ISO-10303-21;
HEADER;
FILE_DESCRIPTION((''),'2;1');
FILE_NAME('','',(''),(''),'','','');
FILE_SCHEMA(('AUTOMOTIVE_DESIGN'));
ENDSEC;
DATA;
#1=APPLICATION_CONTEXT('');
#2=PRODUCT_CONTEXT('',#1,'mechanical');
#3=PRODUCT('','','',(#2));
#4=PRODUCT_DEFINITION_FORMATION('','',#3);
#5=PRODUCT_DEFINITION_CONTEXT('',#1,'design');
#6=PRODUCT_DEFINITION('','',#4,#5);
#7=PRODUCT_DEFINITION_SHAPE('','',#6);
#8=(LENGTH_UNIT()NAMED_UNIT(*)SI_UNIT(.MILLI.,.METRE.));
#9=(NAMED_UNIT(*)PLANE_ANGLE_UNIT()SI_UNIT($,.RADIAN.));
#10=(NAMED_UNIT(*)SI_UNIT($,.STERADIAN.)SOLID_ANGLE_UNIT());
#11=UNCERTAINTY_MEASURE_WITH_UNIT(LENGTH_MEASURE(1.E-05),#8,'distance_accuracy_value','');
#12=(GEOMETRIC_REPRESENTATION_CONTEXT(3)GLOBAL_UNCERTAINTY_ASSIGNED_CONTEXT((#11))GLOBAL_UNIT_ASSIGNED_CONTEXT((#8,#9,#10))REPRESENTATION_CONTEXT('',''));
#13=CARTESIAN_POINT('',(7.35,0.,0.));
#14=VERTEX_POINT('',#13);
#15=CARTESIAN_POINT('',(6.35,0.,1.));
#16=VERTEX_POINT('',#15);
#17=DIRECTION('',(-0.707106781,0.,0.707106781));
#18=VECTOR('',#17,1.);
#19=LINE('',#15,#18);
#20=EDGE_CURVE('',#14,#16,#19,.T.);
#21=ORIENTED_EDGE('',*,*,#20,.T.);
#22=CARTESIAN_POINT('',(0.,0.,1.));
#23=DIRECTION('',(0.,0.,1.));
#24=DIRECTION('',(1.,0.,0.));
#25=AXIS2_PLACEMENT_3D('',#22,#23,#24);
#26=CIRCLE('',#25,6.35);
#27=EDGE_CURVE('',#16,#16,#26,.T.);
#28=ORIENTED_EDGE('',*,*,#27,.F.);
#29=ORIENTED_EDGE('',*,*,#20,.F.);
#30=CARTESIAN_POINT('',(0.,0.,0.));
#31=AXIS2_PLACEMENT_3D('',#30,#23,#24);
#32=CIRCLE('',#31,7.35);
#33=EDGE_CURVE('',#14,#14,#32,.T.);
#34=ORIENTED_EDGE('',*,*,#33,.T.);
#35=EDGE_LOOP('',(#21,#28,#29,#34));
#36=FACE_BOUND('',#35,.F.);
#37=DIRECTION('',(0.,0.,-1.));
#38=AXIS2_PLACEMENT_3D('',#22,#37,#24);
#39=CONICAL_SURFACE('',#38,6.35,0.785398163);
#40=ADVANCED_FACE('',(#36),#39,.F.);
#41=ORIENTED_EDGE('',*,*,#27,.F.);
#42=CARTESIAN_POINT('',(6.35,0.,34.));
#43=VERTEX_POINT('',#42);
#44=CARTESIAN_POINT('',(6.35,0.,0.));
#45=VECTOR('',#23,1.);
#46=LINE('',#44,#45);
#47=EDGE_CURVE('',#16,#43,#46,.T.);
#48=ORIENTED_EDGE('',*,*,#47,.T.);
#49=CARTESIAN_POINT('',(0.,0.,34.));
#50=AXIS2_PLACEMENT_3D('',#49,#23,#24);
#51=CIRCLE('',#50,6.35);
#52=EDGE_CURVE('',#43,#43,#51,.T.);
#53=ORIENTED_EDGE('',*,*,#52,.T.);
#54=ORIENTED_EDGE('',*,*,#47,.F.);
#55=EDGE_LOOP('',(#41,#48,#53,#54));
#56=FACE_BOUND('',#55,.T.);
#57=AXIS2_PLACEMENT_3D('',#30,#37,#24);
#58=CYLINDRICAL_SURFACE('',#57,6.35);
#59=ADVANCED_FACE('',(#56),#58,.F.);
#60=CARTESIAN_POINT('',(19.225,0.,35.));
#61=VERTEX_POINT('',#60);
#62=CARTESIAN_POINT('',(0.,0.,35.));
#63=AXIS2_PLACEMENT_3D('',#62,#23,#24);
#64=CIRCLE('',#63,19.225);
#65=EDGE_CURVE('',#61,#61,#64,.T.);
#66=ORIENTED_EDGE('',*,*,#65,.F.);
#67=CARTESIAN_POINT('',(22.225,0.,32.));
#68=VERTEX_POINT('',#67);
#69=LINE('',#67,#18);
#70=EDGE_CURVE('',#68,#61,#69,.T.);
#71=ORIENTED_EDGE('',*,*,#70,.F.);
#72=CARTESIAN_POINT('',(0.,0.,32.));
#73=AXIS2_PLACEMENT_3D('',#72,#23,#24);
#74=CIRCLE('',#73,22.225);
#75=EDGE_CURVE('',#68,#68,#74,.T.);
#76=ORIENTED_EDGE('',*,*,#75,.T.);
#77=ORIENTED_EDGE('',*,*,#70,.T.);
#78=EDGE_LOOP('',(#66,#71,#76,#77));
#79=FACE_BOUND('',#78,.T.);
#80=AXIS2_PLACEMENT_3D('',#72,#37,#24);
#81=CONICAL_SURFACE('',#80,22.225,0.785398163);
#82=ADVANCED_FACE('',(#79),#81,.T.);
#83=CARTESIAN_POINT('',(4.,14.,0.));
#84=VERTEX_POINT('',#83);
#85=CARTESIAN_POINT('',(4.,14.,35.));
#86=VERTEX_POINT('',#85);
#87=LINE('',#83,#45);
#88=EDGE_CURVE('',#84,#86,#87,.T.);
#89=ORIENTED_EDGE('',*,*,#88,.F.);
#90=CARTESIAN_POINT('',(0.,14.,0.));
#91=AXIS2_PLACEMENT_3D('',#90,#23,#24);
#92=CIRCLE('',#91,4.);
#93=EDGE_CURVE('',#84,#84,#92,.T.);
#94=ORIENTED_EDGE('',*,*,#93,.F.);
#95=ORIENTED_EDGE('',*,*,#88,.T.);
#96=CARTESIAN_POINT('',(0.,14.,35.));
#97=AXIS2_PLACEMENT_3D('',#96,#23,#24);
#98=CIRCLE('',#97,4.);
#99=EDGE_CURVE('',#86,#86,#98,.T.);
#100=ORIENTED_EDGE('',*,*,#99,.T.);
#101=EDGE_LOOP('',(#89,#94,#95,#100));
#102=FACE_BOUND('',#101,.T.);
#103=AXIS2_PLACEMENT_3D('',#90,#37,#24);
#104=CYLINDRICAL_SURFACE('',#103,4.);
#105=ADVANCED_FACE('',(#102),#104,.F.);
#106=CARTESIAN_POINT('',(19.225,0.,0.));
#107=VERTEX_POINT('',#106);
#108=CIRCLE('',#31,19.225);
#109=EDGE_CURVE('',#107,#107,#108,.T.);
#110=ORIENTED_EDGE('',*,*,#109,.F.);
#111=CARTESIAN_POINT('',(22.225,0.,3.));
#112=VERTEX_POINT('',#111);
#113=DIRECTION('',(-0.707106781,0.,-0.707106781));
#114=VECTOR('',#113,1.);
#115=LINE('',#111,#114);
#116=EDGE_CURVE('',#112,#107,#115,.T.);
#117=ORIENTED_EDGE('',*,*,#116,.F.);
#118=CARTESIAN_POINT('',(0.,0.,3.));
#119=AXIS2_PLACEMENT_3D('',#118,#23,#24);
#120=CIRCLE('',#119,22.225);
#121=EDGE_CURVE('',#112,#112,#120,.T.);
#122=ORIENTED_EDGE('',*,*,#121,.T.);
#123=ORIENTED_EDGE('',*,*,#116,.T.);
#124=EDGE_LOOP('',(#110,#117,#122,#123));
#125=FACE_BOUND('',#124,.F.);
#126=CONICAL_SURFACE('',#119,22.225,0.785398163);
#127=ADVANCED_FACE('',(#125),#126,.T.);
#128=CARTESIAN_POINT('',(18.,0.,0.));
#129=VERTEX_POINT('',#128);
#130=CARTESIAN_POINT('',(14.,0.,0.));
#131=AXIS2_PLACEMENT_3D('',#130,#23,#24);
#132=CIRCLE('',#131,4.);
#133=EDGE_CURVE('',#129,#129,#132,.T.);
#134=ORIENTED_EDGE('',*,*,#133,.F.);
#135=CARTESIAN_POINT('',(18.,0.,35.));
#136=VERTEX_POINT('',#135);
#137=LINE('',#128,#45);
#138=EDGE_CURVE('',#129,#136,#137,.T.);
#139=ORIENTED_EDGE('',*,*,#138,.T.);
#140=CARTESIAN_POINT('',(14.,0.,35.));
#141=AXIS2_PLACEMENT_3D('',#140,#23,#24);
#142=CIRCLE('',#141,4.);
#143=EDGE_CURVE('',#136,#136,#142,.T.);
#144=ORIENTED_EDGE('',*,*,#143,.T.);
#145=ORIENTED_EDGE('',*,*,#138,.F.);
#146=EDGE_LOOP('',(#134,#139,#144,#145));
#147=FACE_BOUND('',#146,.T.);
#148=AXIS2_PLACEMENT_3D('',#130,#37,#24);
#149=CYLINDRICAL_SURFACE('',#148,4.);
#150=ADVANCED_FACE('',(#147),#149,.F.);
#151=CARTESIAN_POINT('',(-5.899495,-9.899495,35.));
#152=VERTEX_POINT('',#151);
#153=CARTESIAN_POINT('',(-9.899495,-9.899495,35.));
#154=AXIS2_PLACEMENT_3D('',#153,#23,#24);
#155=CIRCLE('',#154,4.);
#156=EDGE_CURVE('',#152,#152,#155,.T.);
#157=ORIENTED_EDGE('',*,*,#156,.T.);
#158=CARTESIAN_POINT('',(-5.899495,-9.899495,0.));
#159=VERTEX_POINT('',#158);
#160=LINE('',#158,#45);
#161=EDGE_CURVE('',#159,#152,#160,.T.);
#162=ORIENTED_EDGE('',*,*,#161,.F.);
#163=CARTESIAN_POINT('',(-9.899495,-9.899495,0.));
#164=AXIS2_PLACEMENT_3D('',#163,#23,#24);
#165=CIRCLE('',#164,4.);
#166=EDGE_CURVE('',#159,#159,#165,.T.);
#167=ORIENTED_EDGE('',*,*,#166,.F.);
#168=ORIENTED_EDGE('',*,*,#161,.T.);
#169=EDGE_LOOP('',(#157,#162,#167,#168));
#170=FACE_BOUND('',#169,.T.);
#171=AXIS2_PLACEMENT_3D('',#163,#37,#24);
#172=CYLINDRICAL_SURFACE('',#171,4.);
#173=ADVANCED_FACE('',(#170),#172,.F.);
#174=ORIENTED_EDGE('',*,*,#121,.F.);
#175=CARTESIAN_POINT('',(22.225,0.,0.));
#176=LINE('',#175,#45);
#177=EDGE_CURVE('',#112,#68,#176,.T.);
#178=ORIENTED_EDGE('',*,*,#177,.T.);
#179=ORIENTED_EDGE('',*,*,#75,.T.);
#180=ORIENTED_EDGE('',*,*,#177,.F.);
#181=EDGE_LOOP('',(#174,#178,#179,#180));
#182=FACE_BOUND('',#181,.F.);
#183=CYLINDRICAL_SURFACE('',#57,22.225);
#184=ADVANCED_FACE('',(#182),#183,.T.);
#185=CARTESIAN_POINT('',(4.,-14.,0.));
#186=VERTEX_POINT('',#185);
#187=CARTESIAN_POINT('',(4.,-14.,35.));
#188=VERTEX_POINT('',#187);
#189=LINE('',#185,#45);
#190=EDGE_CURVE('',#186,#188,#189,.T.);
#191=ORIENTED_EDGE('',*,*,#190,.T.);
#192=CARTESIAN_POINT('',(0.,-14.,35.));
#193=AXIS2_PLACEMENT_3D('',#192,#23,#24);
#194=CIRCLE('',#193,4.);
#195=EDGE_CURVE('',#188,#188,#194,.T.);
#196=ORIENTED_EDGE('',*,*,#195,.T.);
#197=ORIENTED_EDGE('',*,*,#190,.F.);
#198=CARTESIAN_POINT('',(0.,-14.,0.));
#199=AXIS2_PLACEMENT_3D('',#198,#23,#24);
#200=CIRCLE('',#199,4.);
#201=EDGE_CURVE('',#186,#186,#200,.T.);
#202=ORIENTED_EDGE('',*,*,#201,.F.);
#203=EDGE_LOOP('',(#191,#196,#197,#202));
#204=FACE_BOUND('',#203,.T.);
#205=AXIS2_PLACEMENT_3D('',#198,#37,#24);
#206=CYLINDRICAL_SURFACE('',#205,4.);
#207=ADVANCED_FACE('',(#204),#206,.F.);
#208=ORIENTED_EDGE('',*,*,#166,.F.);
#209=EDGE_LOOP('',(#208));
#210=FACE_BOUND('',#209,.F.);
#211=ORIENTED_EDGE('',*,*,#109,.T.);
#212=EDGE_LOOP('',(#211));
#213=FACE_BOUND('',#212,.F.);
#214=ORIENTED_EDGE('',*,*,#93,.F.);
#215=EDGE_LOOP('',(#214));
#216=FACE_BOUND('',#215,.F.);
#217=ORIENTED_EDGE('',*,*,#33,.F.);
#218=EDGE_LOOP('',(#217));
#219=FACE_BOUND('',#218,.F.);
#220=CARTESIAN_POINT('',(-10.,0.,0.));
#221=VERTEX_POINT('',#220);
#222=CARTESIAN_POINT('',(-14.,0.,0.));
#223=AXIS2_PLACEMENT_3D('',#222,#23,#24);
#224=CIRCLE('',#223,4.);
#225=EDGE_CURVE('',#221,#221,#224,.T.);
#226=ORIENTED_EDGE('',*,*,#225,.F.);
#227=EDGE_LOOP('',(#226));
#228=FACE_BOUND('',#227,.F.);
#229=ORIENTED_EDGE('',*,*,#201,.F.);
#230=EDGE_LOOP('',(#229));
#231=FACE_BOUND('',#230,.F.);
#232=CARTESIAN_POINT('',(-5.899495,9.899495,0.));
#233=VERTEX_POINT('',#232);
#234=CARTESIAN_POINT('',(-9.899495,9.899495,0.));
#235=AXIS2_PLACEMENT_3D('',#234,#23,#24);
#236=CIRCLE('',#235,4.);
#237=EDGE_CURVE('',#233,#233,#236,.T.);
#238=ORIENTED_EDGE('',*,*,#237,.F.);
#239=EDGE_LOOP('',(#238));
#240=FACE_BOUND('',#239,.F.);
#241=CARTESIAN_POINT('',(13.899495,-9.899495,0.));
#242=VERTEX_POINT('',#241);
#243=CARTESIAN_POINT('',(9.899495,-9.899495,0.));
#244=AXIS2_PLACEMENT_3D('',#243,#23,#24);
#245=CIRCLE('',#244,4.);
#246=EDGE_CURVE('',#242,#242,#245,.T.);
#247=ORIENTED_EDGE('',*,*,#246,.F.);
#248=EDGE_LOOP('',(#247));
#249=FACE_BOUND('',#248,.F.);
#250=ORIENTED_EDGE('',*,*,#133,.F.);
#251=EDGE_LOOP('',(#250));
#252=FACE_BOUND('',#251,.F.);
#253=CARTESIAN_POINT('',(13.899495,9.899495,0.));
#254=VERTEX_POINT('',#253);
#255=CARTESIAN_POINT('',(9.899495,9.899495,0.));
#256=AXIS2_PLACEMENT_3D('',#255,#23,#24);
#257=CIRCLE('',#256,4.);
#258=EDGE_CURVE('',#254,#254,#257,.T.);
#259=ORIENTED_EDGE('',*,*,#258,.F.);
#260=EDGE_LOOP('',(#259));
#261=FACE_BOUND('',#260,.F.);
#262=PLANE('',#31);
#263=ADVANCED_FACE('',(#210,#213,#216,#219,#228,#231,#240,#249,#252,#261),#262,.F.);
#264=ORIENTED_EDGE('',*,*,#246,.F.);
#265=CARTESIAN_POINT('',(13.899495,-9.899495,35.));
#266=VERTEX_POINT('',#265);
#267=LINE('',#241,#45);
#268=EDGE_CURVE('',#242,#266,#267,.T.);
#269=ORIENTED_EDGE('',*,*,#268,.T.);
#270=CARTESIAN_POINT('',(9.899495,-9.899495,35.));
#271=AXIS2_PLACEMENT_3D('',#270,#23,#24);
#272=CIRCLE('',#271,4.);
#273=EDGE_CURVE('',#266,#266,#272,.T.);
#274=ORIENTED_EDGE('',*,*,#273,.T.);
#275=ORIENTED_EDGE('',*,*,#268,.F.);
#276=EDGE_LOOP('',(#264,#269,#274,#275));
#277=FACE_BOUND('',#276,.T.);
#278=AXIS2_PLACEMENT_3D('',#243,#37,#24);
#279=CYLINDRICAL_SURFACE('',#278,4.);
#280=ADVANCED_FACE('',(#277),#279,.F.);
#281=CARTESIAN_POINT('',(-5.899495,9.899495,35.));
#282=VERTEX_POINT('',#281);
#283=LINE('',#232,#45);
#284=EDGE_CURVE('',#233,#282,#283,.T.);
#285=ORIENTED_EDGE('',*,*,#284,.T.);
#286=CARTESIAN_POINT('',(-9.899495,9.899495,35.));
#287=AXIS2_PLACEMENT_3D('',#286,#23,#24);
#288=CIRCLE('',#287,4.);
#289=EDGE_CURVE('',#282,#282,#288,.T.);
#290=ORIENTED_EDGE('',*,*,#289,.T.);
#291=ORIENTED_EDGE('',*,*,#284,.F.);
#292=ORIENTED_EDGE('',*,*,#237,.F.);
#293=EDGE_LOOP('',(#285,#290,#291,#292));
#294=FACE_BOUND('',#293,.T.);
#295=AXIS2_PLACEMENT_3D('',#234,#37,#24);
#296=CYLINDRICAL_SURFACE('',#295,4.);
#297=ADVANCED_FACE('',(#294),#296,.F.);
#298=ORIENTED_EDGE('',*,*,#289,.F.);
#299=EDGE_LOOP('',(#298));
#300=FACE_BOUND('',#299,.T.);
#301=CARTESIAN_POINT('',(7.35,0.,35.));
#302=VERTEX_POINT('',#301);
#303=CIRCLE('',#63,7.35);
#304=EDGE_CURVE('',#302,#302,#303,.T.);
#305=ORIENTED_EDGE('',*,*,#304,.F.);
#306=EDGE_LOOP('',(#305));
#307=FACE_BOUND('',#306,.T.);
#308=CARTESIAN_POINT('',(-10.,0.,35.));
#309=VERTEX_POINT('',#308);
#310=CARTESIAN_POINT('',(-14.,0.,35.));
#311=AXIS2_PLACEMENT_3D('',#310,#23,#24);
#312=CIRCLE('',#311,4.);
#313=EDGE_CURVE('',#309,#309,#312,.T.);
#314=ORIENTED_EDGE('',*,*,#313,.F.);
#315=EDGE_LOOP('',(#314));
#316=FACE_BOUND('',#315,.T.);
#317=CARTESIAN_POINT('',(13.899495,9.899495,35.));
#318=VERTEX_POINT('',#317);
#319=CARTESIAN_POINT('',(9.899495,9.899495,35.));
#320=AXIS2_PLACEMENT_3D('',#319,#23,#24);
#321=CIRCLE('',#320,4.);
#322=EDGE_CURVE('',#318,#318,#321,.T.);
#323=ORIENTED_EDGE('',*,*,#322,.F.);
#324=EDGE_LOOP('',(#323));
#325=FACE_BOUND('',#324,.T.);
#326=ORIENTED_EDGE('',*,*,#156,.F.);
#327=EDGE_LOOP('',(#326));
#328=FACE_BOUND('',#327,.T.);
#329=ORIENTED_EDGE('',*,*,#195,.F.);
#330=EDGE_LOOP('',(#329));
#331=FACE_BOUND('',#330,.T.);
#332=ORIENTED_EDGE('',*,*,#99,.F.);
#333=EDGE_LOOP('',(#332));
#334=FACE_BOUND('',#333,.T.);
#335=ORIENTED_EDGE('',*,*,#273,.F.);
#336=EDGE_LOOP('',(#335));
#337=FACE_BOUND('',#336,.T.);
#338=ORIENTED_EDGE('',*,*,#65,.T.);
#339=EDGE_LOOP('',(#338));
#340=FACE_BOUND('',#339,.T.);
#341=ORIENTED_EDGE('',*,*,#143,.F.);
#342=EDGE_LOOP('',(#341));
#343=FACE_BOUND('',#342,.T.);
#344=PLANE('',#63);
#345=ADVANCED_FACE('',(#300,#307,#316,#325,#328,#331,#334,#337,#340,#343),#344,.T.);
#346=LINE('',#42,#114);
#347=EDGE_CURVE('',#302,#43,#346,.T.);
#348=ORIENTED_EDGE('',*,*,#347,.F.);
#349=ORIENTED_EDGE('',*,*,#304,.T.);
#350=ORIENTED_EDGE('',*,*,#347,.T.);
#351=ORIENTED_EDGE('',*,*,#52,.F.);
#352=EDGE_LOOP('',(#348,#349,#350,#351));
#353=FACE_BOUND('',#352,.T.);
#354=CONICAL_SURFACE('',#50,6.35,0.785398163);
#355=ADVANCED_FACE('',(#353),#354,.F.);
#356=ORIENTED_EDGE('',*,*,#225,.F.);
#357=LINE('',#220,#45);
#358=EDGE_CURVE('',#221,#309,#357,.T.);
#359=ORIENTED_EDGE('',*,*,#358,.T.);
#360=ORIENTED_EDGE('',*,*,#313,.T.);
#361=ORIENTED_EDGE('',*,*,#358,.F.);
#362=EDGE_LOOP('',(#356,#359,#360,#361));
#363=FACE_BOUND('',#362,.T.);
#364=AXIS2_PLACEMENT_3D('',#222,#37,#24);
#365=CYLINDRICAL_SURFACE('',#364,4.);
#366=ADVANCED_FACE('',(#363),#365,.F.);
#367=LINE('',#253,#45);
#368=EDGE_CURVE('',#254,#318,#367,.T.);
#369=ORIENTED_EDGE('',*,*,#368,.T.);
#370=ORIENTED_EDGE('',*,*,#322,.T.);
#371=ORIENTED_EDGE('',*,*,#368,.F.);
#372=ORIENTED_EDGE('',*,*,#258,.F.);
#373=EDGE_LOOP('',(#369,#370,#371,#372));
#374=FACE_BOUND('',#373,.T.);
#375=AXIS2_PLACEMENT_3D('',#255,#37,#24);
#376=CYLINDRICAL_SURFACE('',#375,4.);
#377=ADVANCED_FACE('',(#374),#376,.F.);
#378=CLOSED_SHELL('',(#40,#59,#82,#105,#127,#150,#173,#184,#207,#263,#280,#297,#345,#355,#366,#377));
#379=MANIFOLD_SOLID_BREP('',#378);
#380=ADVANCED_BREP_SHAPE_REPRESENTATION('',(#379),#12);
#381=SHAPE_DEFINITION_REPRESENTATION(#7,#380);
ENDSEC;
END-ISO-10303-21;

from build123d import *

# Parameters (mm, degrees)
F0_R     = 22.225
F0_R_2   = 4
F0_R_3   = 6.35
F1_DEPTH = 35
F2_SIZE  = 3
F3_SIZE  = 1


with BuildPart() as f1:
    # F0 (on Top) → F1 (new body)
    with BuildSketch(Plane.XY):
        Circle(F0_R)
        with Locations((-9.899495, -9.899495)):
            Circle(F0_R_2, mode=Mode.SUBTRACT)
        with Locations((0, -14)):
            Circle(F0_R_2, mode=Mode.SUBTRACT)
        with Locations((9.899495, -9.899495)):
            Circle(F0_R_2, mode=Mode.SUBTRACT)
        with Locations((-14, 0)):
            Circle(F0_R_2, mode=Mode.SUBTRACT)
        with Locations((-9.899495, 9.899495)):
            Circle(F0_R_2, mode=Mode.SUBTRACT)
        Circle(F0_R_3, mode=Mode.SUBTRACT)
        with Locations((9.899495, 9.899495)):
            Circle(F0_R_2, mode=Mode.SUBTRACT)
        with Locations((14, 0)):
            Circle(F0_R_2, mode=Mode.SUBTRACT)
        with Locations((0, 14)):
            Circle(F0_R_2, mode=Mode.SUBTRACT)
    extrude(amount=F1_DEPTH)

    # F2
    f2_edges = [f1.edges().sort_by_distance(p)[0] for p in [
        (-22.225, 0, 35),
        (-22.225, 0, 0),
    ]]
    chamfer(f2_edges, length=F2_SIZE)

    # F3
    f3_edges = [f1.edges().sort_by_distance(p)[0] for p in [
        (-6.35, 0, 0),
        (-6.35, 0, 35),
    ]]
    chamfer(f3_edges, length=F3_SIZE)


solid = f1.part
